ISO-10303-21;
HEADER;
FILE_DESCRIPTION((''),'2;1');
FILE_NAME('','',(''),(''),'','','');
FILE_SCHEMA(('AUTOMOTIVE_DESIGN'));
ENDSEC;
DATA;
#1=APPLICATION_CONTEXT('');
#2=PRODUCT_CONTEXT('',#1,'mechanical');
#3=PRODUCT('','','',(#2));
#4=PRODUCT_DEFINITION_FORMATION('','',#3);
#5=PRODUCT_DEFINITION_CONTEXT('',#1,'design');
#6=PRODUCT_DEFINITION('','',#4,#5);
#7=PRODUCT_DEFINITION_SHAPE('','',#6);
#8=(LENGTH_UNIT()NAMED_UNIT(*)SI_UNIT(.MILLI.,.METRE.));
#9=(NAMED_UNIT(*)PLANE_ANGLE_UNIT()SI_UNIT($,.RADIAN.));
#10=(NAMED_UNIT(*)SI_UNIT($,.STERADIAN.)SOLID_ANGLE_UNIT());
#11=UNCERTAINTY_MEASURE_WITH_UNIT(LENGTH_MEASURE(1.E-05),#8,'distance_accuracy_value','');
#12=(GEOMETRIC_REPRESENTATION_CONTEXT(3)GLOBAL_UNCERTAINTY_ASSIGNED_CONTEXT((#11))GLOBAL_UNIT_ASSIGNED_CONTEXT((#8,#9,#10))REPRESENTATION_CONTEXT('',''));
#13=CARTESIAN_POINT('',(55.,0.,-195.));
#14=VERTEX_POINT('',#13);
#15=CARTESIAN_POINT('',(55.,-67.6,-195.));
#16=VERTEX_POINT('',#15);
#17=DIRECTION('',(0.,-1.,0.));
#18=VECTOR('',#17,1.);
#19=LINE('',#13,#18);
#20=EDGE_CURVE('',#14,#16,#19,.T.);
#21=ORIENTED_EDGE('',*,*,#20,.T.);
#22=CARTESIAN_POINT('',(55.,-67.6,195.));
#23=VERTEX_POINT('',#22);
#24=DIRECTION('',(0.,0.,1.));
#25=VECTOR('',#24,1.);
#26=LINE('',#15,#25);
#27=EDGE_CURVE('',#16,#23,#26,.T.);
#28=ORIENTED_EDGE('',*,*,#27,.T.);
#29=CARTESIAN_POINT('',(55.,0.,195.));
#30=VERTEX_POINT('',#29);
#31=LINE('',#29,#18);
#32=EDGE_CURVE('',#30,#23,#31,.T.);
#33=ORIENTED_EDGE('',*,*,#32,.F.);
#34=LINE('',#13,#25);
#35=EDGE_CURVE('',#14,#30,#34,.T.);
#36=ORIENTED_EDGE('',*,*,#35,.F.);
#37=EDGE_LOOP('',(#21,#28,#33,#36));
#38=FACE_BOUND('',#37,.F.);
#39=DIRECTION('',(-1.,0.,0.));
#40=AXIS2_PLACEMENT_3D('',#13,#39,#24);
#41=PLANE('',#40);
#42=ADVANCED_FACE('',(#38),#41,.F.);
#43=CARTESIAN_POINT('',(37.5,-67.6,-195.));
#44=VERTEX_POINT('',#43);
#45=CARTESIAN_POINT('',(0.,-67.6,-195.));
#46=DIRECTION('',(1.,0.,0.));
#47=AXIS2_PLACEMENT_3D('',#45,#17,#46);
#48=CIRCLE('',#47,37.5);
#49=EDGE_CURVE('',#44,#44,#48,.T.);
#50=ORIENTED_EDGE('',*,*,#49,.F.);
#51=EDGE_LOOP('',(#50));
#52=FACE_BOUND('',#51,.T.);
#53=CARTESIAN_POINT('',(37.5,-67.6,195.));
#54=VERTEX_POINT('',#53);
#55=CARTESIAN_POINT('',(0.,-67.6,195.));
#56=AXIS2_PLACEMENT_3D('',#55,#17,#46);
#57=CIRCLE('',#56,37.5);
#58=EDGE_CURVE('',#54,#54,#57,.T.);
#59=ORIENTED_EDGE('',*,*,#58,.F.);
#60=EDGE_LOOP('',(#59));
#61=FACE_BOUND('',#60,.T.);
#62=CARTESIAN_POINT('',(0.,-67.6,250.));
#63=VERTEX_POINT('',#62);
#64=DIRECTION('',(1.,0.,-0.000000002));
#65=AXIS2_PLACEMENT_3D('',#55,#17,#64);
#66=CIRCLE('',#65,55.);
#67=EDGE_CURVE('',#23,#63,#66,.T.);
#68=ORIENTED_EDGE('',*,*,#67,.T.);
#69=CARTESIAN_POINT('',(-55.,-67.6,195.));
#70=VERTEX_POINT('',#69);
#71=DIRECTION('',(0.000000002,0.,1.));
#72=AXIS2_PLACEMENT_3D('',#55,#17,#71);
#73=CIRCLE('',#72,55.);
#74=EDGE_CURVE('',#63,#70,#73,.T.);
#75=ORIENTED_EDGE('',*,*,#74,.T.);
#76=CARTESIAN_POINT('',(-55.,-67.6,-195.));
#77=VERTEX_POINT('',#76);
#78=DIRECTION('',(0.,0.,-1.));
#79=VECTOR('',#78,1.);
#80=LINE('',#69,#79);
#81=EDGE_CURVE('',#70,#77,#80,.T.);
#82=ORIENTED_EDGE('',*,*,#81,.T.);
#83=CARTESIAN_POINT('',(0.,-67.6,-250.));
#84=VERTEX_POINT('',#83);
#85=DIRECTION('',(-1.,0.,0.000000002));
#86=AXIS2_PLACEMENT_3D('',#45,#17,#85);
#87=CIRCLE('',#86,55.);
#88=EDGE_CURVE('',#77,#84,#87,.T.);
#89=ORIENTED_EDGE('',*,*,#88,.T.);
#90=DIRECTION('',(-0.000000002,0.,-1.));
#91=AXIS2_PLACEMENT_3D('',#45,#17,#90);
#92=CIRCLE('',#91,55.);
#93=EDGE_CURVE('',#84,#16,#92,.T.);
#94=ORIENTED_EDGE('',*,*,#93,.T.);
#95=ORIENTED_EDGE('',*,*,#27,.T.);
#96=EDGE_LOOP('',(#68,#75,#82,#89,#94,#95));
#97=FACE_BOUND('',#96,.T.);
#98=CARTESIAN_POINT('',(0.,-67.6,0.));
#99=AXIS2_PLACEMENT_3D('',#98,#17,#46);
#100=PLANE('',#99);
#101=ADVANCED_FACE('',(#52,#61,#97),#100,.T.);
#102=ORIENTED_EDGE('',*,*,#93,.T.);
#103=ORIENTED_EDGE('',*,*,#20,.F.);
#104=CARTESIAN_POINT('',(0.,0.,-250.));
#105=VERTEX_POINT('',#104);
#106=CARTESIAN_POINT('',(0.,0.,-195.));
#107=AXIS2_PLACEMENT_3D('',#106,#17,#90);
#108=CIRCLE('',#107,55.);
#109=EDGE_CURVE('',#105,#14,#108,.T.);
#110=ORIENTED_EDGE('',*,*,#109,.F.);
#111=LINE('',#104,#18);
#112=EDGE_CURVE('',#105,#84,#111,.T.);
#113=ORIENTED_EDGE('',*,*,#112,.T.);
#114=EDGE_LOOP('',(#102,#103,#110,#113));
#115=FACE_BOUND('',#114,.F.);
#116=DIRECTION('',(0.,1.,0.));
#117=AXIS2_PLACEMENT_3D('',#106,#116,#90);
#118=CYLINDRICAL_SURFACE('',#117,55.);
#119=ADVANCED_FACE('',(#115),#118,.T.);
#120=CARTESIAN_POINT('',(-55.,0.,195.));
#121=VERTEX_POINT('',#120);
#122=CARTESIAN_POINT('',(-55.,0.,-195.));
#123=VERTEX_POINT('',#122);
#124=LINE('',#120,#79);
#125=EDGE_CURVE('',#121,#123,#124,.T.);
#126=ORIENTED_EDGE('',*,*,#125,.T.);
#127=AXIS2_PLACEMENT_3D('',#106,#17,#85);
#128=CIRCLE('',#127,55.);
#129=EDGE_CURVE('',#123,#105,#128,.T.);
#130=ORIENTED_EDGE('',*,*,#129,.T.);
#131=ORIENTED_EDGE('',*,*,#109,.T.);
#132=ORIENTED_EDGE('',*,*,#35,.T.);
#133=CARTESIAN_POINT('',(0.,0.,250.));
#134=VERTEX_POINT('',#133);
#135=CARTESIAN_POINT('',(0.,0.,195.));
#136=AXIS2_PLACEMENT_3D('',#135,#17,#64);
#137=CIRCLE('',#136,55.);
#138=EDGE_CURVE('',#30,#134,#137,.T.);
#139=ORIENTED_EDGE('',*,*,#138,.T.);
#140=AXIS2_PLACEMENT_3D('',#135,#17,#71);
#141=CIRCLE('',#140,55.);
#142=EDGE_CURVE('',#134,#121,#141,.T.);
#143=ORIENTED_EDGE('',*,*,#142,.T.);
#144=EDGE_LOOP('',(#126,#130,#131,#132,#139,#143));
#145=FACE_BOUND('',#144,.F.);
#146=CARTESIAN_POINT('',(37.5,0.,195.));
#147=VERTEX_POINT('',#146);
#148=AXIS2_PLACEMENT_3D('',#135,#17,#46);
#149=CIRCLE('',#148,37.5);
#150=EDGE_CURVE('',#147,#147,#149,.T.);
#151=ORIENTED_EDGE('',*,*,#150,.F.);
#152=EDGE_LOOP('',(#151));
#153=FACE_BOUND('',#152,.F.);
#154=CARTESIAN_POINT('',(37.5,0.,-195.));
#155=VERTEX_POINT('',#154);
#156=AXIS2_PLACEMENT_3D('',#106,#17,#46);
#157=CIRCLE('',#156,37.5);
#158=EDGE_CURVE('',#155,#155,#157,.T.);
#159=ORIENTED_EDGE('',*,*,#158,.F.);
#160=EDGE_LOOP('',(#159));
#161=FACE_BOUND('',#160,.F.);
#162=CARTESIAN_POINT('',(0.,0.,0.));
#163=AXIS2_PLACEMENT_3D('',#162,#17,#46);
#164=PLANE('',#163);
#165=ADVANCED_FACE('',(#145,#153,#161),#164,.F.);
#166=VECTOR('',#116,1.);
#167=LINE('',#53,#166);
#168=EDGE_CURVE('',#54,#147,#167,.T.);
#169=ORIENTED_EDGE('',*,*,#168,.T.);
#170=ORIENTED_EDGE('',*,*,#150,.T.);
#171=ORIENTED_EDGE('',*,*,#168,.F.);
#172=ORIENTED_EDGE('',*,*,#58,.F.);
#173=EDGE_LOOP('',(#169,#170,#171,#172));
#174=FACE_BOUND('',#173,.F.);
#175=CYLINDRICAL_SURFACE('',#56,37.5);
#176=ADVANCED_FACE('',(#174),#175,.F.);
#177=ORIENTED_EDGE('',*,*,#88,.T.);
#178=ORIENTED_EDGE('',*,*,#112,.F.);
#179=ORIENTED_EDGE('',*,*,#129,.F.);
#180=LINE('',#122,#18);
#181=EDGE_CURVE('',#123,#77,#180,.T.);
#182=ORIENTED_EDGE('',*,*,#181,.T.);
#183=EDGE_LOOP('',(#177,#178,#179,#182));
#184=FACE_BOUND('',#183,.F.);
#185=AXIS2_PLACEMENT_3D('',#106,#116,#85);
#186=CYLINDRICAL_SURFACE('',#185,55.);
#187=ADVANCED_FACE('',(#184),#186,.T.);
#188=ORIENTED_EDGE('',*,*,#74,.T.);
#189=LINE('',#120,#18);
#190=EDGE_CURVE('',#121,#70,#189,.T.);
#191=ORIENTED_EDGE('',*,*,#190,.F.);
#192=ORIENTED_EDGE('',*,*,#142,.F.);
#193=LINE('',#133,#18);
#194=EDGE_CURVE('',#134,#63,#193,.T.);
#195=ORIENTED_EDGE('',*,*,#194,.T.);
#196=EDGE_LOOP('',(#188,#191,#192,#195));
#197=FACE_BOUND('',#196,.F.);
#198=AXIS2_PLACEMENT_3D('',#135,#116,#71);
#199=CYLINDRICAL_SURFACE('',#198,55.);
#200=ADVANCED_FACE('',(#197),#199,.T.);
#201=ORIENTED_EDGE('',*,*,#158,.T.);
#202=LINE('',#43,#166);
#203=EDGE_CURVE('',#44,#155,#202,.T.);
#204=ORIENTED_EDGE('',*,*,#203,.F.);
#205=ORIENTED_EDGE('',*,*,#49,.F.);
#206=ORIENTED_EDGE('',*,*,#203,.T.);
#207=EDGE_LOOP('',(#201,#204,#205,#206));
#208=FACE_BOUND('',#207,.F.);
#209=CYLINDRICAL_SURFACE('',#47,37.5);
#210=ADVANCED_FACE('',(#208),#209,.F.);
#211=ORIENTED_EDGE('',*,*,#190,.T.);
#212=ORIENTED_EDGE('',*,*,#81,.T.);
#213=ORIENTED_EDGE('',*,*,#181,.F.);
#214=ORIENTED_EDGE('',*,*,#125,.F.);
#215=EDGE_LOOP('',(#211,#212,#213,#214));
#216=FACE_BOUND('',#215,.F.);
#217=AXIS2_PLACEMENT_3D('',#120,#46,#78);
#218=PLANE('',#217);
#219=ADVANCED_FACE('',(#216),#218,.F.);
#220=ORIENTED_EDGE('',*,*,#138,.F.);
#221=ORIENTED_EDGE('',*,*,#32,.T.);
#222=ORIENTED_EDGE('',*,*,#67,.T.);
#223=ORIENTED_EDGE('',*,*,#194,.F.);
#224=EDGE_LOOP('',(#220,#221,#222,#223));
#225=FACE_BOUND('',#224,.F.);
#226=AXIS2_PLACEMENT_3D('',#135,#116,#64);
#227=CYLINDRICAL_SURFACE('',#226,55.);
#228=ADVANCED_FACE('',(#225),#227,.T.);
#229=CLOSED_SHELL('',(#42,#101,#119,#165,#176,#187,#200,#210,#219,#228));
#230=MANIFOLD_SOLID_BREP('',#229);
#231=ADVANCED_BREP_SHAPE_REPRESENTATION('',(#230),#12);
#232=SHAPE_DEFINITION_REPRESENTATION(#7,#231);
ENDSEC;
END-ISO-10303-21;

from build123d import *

# Parameters (mm, degrees)
F1_DEPTH = 67.6
F2_R     = 37.5
F3_DEPTH = 67.6


with BuildPart() as f1:
    # F0 (on Front) → F1 (new body)
    with BuildSketch(Plane.XZ):
        with BuildLine():
            Line((55, -195), (55, 195))
            ThreePointArc((55, 195), (38.890873, 233.890873), (0, 250))
            ThreePointArc((0, 250), (-38.890873, 233.890873), (-55, 195))
            Line((-55, 195), (-55, -195))
            ThreePointArc((-55, -195), (-38.890873, -233.890873), (0, -250))
            ThreePointArc((0, -250), (38.890873, -233.890873), (55, -195))
        make_face()
    extrude(amount=F1_DEPTH)

    # F2 (on face) → F3 (cut, through all)
    with BuildSketch(Plane.XZ.offset(67.6)):
        with Locations((0, 195)):
            Circle(F2_R)
        with Locations((0, -195)):
            Circle(F2_R)
    extrude(amount=-F3_DEPTH, mode=Mode.SUBTRACT)


solid = f1.part
